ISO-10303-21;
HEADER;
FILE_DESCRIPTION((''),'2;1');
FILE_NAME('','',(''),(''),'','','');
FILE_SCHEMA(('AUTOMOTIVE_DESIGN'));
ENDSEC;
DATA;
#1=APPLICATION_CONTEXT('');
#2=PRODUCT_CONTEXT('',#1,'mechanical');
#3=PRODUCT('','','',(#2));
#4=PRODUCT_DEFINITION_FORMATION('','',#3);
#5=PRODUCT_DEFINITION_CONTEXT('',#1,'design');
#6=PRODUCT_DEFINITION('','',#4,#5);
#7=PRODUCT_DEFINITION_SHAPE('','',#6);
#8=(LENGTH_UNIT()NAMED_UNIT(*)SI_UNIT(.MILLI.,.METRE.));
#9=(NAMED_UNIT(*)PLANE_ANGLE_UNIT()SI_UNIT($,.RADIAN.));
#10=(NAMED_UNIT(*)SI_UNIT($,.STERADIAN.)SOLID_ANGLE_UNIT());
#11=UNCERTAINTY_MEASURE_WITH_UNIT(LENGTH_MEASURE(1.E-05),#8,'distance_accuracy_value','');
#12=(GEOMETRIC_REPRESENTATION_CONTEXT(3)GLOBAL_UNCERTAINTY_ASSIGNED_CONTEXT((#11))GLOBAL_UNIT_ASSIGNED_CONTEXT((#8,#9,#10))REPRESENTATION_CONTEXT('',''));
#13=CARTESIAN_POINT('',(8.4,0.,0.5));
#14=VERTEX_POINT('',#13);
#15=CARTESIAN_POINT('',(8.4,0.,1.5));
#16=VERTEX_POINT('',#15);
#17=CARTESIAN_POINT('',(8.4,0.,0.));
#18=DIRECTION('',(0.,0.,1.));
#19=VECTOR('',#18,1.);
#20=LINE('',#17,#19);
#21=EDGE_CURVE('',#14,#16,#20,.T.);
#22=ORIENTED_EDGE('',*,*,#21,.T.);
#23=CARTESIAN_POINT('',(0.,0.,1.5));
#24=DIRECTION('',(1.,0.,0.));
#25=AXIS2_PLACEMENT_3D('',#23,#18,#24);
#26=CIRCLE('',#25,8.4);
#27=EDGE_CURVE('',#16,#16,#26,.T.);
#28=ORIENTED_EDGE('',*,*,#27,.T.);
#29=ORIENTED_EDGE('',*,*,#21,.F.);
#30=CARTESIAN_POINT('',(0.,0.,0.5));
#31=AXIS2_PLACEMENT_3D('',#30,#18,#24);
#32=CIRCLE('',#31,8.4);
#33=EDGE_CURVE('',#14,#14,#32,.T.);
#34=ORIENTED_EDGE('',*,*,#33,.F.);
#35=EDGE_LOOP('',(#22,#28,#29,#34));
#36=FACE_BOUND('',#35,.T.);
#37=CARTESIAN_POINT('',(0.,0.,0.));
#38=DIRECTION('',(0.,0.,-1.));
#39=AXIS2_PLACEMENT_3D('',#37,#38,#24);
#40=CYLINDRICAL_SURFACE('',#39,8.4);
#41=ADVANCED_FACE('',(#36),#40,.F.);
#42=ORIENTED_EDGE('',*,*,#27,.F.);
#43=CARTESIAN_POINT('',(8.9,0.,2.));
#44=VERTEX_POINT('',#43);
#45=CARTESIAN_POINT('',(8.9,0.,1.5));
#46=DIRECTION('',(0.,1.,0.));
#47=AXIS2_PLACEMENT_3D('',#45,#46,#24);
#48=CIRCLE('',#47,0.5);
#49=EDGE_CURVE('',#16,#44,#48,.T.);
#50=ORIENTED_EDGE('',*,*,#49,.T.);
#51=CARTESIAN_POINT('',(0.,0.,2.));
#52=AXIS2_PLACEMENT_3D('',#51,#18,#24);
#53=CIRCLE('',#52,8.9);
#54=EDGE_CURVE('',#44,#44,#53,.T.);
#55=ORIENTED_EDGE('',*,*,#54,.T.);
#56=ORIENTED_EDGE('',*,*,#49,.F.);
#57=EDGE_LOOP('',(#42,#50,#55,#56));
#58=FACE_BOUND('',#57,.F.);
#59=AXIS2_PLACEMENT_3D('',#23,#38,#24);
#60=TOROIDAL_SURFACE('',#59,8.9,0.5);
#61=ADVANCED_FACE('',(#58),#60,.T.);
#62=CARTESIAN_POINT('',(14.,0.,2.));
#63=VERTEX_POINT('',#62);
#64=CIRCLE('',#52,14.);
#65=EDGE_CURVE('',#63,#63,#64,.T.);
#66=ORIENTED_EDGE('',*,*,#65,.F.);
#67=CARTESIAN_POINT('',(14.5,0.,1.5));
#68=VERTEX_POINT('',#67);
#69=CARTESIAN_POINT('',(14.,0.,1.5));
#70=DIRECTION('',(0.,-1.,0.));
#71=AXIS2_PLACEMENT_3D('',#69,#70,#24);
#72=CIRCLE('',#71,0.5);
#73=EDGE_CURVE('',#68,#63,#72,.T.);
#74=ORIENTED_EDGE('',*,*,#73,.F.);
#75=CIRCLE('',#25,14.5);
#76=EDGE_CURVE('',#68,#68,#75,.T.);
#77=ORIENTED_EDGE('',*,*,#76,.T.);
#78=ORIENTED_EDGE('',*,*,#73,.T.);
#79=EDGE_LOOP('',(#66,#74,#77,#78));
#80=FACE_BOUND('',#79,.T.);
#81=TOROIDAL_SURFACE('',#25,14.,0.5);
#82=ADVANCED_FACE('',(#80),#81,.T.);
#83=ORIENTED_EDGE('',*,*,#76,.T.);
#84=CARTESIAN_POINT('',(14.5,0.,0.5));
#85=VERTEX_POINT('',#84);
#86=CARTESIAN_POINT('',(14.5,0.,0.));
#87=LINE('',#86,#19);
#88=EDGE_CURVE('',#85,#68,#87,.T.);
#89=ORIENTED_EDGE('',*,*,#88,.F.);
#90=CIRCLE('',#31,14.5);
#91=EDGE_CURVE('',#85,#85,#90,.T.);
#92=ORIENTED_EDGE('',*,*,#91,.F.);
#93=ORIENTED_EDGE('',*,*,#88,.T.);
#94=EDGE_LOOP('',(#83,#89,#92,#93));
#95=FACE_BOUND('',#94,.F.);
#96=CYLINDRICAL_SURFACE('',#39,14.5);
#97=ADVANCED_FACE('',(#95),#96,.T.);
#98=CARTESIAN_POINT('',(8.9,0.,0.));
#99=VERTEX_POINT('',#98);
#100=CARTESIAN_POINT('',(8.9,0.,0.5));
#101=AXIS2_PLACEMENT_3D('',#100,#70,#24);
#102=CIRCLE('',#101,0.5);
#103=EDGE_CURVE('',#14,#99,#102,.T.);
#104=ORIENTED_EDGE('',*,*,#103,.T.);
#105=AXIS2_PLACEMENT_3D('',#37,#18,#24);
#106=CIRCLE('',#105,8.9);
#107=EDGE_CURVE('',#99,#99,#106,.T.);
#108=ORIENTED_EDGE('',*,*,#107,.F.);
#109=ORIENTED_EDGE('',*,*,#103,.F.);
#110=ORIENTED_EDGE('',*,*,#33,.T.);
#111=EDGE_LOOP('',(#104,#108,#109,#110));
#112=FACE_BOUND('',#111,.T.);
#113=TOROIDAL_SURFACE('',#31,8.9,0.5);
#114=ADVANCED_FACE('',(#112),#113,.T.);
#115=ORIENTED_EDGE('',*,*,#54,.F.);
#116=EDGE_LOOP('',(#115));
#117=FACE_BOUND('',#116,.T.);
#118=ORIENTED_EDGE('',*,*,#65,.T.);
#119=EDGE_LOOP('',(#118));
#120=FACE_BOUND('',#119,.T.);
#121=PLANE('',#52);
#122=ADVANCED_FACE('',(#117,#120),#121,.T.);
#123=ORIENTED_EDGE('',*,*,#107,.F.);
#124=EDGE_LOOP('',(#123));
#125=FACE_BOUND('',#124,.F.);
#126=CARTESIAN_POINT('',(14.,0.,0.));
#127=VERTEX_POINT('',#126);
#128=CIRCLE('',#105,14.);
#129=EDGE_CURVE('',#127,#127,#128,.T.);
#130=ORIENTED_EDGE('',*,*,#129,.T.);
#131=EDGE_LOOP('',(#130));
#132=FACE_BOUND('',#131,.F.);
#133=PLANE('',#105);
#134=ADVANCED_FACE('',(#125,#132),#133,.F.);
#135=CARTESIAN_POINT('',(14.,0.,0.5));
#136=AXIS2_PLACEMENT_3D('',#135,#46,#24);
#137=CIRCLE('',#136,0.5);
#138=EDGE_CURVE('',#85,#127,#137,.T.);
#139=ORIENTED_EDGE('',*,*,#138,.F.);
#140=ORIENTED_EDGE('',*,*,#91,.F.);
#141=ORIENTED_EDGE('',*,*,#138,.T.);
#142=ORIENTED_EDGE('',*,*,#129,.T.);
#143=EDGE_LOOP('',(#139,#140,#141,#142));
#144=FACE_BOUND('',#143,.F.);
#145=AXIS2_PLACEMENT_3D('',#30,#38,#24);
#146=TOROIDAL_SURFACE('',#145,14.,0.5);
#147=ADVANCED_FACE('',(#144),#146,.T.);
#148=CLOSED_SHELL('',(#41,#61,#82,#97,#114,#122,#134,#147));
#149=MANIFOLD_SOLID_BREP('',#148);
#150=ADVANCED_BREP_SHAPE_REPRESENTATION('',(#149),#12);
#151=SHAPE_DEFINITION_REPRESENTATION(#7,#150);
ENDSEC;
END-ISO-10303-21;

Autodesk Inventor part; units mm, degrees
ref_plane "YZ Plane" through (0, 0, 0) normal (1, 0, 0) x (0, 1, 0)
ref_plane "XZ Plane" through (0, 0, 0) normal (0, 1, 0) x (-1, 0, 0)
ref_plane "XY Plane" through (0, 0, 0) normal (0, 0, 1) x (1, 0, 0)
sketch "Sketch1" plane through (0, 0, 0) normal (0, 0, 1) x (1, 0, 0)
  circle A0 centre (0, 0) radius 14.5
  circle A1 centre (0, 0) radius 8.4
  dimension "d0" = 29
  dimension "d1" = 16.8
extrude "Extrusion1" add sketch "Sketch1" along normal blind 2
fillet "Fillet1" radius 0.5 4 edges at (-14.5, 0, 2) (-14.5, 0, 0) (-8.4, 0, 2) (-8.4, 0, 0)
properties part number "Arandela" material "Steel"
